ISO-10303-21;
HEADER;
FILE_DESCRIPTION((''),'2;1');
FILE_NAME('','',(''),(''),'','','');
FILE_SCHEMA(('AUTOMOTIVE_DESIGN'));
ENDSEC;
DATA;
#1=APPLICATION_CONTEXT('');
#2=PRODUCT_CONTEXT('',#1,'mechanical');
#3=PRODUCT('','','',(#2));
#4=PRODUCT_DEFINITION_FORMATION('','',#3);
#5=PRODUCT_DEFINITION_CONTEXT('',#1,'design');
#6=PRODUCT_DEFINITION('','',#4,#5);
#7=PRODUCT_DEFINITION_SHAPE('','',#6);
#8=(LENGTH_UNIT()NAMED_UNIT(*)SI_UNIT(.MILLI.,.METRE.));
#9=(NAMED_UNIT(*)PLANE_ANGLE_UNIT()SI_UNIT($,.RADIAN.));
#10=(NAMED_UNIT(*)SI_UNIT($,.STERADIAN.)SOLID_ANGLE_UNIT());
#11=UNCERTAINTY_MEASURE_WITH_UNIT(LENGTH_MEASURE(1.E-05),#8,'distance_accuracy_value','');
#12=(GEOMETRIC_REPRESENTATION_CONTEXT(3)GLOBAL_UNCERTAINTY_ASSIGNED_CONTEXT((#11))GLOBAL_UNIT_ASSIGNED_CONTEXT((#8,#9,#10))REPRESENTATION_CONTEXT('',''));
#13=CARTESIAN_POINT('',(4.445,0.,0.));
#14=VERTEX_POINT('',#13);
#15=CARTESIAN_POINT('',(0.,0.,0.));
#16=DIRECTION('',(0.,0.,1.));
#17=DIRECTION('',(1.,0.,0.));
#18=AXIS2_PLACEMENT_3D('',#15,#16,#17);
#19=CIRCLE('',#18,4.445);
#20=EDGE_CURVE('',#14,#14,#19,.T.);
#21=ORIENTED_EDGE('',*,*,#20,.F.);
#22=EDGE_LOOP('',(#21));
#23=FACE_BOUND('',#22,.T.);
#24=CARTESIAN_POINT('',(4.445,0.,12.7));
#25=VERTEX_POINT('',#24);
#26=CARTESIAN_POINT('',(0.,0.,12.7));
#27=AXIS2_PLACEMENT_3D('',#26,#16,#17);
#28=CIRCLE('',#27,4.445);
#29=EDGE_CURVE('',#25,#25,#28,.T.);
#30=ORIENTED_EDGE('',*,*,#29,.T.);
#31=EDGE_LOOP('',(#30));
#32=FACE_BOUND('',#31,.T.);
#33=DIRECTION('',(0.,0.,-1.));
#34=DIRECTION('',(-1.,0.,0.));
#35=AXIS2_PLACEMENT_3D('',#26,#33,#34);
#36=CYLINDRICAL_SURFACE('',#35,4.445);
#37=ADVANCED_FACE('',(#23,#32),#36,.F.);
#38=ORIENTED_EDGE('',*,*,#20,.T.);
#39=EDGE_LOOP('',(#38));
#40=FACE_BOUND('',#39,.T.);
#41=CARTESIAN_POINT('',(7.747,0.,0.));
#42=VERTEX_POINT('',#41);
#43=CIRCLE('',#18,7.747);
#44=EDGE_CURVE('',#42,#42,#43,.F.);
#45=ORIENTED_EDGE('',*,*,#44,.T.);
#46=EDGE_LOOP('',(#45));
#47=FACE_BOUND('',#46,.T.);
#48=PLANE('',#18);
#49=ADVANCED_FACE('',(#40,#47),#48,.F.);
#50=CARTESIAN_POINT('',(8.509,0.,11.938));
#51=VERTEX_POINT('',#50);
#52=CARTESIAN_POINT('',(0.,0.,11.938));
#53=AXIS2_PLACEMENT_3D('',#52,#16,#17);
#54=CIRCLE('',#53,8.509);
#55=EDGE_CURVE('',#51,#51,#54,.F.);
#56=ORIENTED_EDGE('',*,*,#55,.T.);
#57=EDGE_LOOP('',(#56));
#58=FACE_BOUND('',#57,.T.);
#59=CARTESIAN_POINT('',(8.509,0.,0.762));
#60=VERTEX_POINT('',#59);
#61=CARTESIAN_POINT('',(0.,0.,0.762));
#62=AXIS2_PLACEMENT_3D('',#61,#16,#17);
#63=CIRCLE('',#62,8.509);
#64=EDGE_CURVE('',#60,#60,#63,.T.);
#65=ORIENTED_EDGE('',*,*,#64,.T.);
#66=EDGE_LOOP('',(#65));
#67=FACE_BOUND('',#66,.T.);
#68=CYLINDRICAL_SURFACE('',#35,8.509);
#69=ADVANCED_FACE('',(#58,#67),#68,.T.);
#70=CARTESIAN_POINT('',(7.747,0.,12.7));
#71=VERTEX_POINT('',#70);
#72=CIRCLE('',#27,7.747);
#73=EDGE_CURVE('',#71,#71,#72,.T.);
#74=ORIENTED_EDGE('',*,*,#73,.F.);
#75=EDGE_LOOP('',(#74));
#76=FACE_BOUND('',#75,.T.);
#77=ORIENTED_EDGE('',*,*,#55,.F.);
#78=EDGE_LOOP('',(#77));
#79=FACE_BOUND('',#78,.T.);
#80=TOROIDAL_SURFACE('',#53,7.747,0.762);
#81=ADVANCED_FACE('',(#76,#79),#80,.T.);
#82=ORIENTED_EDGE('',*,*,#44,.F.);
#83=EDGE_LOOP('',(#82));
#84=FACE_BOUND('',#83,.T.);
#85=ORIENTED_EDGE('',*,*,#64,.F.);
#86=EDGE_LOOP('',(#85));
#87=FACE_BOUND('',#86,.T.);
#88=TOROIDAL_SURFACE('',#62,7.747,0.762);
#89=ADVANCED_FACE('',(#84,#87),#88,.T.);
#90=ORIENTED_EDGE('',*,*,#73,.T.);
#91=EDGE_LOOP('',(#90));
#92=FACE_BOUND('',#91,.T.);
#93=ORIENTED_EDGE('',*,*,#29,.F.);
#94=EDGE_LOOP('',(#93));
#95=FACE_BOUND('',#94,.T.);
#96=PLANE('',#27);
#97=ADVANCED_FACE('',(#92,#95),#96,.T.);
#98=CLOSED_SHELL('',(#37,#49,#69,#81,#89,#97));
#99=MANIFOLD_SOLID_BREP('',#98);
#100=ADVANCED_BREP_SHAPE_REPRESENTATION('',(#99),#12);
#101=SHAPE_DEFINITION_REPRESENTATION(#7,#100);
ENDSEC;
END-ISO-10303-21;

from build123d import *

# Parameters (mm, degrees)
IZIM1_R                     = 8.509
IZIM1_R_2                   = 4.445
Y_KSEKLIK_EKSTR_ZYON1_DEPTH = 12.7
RADYUS1_R                   = 0.762


with BuildPart() as part:
    # Çizim1 → Yükseklik-Ekstrüzyon1 (new body)
    with BuildSketch(Plane.XY):
        Circle(IZIM1_R)
        Circle(IZIM1_R_2, mode=Mode.SUBTRACT)
    extrude(amount=Y_KSEKLIK_EKSTR_ZYON1_DEPTH)

    # Radyus1
    radyus1_edges = [part.edges().sort_by_distance(p)[0] for p in [
        (-8.509, 0, 0),
        (-8.509, 0, 12.7),
    ]]
    fillet(radyus1_edges, radius=RADYUS1_R)


solid = part.part
